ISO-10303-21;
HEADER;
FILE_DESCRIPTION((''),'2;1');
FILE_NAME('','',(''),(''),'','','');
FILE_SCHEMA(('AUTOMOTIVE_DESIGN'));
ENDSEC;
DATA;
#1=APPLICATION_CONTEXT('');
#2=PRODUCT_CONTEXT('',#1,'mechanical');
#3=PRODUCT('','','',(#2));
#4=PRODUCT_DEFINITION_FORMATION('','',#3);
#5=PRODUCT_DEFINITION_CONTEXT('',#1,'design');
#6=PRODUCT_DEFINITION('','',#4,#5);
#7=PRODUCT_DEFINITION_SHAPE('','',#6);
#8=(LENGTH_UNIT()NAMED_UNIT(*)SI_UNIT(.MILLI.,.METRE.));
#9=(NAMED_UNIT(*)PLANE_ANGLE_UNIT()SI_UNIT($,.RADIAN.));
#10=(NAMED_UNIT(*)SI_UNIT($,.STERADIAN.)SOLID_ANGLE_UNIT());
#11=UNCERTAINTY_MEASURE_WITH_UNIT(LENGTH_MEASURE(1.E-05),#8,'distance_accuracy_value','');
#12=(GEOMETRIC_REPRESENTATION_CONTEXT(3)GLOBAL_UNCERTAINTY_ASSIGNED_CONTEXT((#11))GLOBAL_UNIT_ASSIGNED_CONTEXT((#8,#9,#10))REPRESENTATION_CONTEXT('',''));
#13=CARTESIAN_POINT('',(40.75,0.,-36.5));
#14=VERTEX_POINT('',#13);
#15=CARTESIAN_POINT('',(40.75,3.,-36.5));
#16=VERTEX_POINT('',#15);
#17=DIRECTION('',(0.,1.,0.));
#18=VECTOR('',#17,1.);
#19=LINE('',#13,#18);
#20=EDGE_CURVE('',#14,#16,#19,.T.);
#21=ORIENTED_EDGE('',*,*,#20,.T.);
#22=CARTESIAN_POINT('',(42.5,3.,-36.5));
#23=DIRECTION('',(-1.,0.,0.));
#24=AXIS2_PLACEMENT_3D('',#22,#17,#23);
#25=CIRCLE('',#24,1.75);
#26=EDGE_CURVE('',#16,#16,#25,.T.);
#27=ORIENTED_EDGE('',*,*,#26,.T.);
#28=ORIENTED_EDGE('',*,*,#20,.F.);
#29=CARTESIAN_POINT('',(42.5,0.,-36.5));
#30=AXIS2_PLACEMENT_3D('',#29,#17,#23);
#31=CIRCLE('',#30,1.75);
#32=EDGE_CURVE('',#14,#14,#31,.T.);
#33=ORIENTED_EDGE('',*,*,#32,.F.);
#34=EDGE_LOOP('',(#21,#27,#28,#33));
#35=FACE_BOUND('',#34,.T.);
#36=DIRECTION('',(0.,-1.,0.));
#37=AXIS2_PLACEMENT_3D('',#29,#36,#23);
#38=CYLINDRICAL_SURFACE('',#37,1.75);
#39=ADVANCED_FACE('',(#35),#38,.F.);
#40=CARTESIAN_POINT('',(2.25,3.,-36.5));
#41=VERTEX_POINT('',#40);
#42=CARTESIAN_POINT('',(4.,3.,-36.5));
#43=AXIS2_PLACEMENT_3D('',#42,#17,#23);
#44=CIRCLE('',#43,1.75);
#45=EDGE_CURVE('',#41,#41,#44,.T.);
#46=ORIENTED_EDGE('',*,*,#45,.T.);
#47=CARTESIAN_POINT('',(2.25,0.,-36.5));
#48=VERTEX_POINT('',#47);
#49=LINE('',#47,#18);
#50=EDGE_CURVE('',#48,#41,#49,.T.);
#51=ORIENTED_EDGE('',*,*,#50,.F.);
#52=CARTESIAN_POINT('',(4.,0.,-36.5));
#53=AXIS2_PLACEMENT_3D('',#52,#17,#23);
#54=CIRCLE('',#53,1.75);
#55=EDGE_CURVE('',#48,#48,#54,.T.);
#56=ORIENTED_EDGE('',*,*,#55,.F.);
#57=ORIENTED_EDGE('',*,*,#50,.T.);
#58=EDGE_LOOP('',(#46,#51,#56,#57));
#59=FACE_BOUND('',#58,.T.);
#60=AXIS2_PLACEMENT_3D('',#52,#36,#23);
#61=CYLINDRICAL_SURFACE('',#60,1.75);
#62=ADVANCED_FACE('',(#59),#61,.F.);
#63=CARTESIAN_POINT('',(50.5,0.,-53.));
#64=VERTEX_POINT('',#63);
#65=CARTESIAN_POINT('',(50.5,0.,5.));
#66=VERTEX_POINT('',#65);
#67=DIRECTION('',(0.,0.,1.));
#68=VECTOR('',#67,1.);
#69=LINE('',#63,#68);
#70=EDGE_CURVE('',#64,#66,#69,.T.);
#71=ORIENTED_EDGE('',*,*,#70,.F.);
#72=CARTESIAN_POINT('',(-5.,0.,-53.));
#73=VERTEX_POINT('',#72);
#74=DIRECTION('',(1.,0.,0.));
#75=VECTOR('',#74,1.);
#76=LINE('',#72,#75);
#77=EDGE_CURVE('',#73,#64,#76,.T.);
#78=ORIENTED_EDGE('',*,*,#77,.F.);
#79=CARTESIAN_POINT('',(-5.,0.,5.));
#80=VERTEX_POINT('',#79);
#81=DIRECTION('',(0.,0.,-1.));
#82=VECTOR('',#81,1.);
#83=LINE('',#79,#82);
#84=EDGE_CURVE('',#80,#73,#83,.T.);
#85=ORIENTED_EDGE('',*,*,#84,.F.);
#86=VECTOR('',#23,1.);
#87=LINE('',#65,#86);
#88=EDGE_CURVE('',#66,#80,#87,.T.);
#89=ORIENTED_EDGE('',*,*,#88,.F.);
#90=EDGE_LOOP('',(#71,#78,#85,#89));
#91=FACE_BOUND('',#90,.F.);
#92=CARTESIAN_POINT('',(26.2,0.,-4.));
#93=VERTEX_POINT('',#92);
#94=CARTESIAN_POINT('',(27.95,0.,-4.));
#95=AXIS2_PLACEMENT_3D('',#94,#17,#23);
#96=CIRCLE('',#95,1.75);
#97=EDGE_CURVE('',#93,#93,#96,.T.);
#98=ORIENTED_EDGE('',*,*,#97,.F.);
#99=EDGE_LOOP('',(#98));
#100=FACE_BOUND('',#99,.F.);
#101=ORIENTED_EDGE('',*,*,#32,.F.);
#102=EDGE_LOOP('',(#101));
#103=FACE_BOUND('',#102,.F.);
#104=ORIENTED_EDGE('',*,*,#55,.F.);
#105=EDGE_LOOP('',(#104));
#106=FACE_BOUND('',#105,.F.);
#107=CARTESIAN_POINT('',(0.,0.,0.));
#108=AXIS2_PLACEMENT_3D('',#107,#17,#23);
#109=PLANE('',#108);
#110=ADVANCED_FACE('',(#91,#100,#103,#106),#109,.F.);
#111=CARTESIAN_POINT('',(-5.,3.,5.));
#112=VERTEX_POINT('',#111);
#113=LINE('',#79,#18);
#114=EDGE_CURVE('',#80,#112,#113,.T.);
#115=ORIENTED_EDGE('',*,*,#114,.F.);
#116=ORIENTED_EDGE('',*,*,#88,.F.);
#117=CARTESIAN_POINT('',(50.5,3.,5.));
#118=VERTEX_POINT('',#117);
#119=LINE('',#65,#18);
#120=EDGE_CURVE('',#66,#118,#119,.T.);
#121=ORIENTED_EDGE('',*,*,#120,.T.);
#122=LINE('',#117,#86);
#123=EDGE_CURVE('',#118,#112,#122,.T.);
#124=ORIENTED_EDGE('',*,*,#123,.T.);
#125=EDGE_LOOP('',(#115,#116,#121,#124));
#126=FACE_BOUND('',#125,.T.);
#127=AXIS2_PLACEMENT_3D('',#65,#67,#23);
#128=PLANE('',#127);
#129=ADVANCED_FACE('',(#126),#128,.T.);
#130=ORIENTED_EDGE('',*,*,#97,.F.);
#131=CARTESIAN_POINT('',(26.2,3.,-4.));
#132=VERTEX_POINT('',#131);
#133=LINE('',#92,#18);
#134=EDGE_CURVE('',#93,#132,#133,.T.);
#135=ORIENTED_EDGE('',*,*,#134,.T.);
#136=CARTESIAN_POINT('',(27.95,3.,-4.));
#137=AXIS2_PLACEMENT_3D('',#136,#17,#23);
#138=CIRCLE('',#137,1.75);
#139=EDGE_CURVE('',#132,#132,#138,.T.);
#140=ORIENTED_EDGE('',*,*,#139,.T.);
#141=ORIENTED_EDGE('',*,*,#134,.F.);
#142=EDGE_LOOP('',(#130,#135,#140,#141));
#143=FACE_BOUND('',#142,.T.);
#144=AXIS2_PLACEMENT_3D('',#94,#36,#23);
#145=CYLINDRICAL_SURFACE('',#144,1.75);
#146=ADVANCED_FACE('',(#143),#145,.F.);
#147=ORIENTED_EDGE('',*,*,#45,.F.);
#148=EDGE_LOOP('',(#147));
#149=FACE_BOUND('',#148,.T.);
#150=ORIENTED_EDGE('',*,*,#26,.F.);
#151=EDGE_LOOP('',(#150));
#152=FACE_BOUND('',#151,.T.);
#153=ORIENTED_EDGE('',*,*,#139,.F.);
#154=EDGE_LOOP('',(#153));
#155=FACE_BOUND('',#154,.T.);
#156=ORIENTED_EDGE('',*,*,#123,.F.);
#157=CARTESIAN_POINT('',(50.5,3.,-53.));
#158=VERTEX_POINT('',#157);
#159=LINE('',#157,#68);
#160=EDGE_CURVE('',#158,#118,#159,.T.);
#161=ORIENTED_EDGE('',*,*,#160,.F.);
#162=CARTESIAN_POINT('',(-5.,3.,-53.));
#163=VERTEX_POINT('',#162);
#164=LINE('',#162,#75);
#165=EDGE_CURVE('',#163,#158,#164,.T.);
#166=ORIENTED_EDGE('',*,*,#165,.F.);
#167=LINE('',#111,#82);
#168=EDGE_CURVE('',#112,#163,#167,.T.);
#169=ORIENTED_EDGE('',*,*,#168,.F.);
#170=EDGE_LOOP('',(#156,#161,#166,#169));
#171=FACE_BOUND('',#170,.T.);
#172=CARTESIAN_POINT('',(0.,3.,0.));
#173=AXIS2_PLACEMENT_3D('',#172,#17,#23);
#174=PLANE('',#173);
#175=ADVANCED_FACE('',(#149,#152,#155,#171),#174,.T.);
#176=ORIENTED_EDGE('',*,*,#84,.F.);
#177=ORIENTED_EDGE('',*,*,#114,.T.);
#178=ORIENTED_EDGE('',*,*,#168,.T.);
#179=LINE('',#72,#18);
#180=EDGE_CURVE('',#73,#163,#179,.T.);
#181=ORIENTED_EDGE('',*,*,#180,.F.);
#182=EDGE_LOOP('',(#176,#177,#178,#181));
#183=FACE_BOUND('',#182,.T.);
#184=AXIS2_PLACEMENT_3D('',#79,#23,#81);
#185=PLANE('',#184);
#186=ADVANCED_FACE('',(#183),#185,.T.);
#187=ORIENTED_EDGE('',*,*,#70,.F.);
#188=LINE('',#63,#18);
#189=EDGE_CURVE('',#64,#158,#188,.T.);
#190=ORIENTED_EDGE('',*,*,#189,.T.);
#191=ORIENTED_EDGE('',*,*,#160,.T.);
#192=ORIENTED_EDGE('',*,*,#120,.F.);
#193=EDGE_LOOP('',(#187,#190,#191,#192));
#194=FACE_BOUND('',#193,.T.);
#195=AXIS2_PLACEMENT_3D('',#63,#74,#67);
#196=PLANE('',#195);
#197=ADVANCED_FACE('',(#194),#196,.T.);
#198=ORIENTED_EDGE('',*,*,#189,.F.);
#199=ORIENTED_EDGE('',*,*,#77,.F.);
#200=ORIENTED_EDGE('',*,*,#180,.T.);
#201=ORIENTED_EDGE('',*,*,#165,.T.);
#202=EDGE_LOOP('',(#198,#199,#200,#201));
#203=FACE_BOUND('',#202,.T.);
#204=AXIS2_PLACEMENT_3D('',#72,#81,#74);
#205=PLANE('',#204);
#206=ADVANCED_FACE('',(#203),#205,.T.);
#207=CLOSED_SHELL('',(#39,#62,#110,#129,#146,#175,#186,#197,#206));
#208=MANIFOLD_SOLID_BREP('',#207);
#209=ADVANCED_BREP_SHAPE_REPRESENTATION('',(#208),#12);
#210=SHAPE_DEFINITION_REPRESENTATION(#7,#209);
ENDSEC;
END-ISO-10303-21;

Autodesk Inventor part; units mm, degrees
ref_plane "YZ Plane" through (0, 0, 0) normal (1, 0, 0) x (0, 1, 0)
ref_plane "XZ Plane" through (0, 0, 0) normal (0, 1, 0) x (-1, 0, 0)
ref_plane "XY Plane" through (0, 0, 0) normal (0, 0, 1) x (1, 0, 0)
sketch "Skizze1" plane through (0, 0, 0) normal (0, 1, 0) x (-1, 0, 0)
  line L0 (0, 0) -> (-45.5, 0) construction
  line L1 (-45.5, 0) -> (-45.5, -48) construction
  line L2 (-45.5, -48) -> (0, -48) construction
  line L3 (0, -48) -> (0, 0) construction
  circle A0 centre (-4, -36.5) radius 1.75
  circle A1 centre (-42.5, -36.5) radius 1.75
  circle A2 centre (-27.95, -4) radius 1.75
  line L4 (5, -53) -> (-50.5, -53)
  line L5 (-50.5, -53) -> (-50.5, 5)
  line L6 (-50.5, 5) -> (5, 5)
  line L7 (5, 5) -> (5, -53)
  dimension "d0" = 45.5
  dimension "d1" = 48
  dimension "d2" = 11.5
  dimension "d3" = 11.5
  dimension "d4" = 3
  dimension "d5" = 4
  dimension "d6" = 17.55
  dimension "d7" = 4
  dimension "d8" = 3.5
  dimension "d9" = 5
  dimension "d10" = 5
  dimension "d11" = 5
  dimension "d12" = 5
extrude "Extrusion1" add sketch "Skizze1" along normal blind 3
properties part number "Sensor_Schutzplatte"
